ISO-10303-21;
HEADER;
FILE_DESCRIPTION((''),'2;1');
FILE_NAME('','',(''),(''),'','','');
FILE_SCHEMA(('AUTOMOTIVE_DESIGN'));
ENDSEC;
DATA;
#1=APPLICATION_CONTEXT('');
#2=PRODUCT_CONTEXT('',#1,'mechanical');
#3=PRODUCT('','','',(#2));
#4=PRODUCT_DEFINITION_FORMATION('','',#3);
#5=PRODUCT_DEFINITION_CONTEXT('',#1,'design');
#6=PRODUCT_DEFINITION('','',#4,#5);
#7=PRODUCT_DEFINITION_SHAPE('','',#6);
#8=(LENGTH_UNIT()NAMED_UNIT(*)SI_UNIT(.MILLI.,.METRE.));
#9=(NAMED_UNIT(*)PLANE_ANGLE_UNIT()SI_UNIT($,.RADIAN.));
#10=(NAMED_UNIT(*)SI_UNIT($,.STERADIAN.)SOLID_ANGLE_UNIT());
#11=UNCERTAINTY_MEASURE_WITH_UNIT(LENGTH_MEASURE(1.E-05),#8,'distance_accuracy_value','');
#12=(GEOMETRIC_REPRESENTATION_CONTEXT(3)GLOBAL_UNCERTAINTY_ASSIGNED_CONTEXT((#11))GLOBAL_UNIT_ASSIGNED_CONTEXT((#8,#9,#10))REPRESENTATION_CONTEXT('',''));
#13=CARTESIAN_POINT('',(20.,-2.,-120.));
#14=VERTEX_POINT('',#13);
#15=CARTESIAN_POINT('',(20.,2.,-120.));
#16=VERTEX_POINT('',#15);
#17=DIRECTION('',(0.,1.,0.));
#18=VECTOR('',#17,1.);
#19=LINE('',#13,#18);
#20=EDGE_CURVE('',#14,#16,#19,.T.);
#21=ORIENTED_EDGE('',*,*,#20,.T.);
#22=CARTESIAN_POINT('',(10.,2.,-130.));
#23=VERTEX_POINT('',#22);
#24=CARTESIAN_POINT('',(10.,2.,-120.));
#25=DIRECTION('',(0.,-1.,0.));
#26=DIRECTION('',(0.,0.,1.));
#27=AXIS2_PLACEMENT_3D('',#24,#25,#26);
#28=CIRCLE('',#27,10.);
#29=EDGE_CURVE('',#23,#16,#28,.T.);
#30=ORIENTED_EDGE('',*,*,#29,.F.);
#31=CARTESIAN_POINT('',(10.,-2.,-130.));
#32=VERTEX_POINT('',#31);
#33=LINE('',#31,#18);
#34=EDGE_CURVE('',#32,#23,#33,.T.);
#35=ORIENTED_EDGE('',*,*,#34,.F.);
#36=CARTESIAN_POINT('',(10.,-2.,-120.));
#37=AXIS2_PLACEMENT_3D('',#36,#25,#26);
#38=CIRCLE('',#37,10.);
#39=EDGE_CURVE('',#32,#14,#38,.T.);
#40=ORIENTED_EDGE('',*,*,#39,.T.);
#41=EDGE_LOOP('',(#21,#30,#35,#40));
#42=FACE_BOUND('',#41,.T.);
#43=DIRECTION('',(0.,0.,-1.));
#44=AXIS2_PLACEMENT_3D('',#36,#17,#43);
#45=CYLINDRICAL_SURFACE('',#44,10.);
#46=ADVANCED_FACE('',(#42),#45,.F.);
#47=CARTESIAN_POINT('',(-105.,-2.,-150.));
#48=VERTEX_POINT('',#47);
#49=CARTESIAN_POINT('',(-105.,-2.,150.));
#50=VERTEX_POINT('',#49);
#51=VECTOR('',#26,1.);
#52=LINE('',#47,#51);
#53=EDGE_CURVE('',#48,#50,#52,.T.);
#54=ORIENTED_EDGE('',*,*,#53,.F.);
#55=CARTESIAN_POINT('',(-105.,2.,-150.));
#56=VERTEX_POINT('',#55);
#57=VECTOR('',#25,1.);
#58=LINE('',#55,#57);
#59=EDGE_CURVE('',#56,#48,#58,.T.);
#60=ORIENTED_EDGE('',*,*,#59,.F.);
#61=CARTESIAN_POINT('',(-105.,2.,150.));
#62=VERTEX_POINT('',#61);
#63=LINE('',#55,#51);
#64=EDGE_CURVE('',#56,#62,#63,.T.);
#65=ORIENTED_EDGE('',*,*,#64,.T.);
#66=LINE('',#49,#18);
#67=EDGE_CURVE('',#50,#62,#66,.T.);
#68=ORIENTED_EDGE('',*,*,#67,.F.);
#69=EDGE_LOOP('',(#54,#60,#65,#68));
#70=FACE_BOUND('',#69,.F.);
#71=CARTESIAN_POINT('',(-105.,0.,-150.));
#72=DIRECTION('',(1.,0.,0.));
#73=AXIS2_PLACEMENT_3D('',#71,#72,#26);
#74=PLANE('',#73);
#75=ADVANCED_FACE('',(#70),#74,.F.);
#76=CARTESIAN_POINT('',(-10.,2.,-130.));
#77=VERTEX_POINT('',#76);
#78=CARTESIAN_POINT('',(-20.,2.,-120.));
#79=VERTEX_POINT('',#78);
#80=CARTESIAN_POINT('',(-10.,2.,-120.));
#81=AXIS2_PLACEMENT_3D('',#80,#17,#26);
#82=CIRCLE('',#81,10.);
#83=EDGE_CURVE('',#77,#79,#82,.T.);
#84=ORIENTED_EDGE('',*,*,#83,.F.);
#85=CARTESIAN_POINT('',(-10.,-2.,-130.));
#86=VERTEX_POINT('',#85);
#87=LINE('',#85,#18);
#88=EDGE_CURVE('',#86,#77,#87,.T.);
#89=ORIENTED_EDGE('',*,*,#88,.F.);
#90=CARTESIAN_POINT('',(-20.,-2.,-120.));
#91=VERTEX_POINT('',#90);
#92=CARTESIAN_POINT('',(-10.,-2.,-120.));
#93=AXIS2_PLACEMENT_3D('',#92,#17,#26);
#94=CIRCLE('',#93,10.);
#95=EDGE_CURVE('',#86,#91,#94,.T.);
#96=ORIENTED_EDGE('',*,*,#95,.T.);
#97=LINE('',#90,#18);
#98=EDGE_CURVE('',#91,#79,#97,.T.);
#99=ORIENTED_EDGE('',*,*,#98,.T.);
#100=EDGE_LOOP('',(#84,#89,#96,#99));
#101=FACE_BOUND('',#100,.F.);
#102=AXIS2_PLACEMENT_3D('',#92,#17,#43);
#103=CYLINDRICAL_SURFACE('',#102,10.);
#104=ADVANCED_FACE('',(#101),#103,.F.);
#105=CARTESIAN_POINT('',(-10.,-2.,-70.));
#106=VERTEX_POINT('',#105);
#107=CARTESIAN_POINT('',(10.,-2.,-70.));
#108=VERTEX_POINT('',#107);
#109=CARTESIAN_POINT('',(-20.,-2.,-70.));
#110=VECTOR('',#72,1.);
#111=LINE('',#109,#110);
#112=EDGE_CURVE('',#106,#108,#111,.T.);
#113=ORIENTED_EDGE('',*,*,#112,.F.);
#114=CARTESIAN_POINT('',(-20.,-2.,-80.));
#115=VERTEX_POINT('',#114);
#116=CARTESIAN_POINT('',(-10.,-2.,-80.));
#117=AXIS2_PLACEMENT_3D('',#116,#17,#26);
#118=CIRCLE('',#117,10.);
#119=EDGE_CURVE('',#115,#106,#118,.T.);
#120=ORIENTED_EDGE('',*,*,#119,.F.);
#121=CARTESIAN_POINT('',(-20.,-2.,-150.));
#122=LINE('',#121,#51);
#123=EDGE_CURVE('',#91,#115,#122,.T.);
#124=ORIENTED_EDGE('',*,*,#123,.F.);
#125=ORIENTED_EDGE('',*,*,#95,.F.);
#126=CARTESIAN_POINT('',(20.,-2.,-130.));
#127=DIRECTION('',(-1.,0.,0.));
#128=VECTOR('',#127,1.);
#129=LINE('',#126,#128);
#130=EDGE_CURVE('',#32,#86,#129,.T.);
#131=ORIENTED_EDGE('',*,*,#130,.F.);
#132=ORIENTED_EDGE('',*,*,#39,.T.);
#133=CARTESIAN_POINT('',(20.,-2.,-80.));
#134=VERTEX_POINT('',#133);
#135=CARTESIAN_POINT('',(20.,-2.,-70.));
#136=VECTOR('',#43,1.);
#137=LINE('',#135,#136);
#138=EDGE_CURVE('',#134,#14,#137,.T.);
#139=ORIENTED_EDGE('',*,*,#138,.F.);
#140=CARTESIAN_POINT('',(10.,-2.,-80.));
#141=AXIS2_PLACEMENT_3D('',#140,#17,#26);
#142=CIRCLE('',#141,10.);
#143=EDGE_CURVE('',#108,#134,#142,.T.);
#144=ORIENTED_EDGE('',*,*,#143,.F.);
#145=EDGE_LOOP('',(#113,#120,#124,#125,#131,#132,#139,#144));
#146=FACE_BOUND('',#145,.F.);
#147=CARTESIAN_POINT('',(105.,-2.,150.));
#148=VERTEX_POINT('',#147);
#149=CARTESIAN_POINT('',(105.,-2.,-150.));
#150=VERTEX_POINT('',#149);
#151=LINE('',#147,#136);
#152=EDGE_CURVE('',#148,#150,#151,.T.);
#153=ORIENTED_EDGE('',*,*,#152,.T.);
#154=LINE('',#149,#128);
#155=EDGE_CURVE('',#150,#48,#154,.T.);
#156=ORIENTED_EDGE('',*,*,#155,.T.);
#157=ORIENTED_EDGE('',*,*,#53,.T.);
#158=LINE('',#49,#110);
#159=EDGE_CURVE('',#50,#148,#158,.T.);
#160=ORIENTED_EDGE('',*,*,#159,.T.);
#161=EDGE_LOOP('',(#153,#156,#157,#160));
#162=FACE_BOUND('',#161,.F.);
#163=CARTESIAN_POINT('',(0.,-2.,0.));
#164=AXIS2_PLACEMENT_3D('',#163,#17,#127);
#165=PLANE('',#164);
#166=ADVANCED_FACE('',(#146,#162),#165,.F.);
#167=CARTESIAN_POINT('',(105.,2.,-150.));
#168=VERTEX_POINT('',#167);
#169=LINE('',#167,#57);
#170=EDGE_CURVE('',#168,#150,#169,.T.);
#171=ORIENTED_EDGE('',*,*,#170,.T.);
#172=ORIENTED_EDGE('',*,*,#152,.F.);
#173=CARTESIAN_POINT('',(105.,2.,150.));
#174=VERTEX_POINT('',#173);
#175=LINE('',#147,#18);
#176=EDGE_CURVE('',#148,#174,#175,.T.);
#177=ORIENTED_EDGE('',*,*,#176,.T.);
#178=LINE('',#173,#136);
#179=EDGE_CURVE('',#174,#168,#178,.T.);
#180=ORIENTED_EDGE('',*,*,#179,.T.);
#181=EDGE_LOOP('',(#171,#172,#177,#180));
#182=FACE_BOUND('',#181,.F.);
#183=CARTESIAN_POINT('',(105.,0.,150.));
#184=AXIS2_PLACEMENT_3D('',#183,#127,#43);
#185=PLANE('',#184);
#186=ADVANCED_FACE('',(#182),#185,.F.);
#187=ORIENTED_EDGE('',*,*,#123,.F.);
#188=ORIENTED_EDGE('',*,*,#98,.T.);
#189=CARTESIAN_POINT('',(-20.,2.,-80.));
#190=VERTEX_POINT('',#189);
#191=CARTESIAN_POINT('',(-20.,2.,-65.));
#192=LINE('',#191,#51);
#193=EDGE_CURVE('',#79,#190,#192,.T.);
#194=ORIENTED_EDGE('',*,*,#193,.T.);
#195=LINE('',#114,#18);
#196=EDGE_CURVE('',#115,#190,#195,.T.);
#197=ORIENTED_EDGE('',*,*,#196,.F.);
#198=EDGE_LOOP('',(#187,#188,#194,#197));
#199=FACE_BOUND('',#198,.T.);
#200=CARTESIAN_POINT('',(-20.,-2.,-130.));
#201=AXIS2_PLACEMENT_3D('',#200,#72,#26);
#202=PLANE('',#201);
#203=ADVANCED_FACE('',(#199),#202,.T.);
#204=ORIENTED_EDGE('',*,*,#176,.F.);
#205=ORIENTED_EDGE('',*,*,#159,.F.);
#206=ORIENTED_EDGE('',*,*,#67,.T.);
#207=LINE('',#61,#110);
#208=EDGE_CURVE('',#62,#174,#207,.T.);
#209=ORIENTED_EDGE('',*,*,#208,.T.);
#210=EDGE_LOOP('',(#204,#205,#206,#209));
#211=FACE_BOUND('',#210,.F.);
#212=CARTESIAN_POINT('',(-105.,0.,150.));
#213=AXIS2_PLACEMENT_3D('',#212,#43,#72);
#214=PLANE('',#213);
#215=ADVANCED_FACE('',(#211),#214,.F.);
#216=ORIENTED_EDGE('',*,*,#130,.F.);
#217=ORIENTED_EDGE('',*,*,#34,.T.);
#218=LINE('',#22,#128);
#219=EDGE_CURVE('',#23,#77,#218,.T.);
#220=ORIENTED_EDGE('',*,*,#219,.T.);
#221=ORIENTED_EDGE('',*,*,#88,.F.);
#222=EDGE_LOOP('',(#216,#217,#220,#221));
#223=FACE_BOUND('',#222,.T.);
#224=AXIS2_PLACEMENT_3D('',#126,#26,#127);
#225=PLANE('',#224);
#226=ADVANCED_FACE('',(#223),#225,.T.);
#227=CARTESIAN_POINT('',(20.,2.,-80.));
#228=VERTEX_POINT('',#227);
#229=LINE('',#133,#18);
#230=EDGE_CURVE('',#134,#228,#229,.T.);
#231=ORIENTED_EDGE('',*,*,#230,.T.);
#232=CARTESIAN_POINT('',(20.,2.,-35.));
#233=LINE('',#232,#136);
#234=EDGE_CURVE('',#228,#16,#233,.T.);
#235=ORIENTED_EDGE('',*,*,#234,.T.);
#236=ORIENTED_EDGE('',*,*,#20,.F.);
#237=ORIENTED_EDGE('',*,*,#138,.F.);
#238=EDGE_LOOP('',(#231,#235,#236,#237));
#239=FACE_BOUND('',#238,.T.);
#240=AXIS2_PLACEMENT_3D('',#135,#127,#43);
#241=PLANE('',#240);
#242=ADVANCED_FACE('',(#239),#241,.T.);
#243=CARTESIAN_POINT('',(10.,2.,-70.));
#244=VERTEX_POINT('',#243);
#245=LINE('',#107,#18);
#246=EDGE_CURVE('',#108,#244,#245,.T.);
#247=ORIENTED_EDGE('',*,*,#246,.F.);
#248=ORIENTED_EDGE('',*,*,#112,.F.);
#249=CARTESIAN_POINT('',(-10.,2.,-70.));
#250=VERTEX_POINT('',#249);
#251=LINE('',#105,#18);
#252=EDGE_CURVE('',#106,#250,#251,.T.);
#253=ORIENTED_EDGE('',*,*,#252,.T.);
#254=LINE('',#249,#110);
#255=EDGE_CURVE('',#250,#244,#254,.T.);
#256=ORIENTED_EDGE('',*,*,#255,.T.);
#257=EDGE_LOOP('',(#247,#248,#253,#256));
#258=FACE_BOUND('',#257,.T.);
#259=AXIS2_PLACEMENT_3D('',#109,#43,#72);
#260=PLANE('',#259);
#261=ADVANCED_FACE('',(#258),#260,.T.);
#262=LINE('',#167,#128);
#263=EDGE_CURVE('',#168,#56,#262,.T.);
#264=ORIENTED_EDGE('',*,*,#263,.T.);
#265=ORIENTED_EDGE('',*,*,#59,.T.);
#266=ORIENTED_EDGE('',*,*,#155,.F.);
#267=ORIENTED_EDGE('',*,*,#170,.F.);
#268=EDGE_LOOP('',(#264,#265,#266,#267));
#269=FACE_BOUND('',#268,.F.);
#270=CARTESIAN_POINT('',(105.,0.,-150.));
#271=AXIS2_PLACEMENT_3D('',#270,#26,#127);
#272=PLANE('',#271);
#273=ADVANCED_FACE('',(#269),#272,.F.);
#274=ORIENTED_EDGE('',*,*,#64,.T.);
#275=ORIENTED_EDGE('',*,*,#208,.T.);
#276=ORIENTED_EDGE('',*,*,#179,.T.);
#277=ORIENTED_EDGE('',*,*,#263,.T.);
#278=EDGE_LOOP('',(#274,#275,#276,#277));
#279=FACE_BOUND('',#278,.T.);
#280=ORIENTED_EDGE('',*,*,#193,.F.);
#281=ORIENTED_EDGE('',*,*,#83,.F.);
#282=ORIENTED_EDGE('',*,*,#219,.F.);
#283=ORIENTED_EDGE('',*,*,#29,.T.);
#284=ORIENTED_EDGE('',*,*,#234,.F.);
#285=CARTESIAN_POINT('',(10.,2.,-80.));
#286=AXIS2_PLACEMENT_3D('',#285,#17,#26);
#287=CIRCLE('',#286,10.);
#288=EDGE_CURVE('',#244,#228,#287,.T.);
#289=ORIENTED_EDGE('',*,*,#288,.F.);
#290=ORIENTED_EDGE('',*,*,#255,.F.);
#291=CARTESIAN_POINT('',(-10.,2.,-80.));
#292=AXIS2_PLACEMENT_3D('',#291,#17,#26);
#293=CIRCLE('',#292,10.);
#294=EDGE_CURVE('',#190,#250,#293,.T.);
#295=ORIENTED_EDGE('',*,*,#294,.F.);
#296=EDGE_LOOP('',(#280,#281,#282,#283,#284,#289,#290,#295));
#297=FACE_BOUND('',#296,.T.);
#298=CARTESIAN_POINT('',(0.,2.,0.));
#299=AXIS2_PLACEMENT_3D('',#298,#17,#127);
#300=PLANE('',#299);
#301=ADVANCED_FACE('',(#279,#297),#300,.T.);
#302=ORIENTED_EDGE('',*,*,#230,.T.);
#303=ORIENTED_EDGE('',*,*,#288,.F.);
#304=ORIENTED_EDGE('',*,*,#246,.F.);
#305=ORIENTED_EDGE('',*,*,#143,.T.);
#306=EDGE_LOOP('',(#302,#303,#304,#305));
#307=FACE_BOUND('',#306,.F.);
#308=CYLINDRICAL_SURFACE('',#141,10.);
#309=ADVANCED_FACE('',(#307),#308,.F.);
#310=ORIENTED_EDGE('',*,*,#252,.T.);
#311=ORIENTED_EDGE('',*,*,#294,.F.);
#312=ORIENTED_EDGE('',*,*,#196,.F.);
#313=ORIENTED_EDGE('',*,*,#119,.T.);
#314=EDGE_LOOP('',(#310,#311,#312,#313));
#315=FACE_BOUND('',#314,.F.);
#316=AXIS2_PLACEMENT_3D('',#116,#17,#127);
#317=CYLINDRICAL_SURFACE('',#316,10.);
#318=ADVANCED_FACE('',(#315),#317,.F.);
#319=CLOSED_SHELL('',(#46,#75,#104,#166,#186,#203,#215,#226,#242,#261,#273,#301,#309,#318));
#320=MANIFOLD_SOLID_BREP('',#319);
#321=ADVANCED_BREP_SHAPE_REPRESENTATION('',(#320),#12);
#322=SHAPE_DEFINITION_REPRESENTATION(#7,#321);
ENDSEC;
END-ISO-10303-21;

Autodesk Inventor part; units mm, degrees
sketch "Эскиз2" plane through (0, 0, 0) normal (0, 1, 0) x (-1, 0, 0)
  line L0 (105, 150) -> (-105, 150)
  line L1 (-105, 150) -> (-105, -150)
  line L2 (-105, -150) -> (105, -150)
  line L3 (105, -150) -> (105, 150)
  line L4 (105, 150) -> (-105, -150) construction
  line L5 (-105, 150) -> (105, -150) construction
  point P0 (0, 0)
  dimension "d0" = 300
  dimension "d1" = 210
extrude "Выдавливание1" add sketch "Эскиз2" along normal mid plane 4
sketch "Эскиз3" plane through (0, -2, 0) normal (0, -1, 0) x (1, 0, 0)
  line L0 (105, -150) -> (-105, -150) projected
  line L1 (20, -150) -> (-20, -150)
  line L2 (-20, -150) -> (-20, -70)
  line L3 (-20, -70) -> (20, -70)
  line L4 (20, -70) -> (20, -150)
  line L5 (-105, 150) -> (-105, -150) projected
  line L6 (20, -130) -> (-20, -130)
  dimension "d7" = 40
  dimension "d9" = 80
  dimension "d10" = 20
  dimension "d12" = 85
extrude "Выдавливание2" cut sketch "Эскиз3" against normal up to next contours L6 L2 L3 L4
fillet "Сопряжение1" radius 10 4 edges at (20, 0, -130) (-20, 0, -130) (-20, 0, -70) (20, 0, -70)
ref_plane "РабПлоскость1" through (-10, -2, -100) normal (0, 0, 1) x (1, 0, 0)
properties part number "Передняя_фанера"
